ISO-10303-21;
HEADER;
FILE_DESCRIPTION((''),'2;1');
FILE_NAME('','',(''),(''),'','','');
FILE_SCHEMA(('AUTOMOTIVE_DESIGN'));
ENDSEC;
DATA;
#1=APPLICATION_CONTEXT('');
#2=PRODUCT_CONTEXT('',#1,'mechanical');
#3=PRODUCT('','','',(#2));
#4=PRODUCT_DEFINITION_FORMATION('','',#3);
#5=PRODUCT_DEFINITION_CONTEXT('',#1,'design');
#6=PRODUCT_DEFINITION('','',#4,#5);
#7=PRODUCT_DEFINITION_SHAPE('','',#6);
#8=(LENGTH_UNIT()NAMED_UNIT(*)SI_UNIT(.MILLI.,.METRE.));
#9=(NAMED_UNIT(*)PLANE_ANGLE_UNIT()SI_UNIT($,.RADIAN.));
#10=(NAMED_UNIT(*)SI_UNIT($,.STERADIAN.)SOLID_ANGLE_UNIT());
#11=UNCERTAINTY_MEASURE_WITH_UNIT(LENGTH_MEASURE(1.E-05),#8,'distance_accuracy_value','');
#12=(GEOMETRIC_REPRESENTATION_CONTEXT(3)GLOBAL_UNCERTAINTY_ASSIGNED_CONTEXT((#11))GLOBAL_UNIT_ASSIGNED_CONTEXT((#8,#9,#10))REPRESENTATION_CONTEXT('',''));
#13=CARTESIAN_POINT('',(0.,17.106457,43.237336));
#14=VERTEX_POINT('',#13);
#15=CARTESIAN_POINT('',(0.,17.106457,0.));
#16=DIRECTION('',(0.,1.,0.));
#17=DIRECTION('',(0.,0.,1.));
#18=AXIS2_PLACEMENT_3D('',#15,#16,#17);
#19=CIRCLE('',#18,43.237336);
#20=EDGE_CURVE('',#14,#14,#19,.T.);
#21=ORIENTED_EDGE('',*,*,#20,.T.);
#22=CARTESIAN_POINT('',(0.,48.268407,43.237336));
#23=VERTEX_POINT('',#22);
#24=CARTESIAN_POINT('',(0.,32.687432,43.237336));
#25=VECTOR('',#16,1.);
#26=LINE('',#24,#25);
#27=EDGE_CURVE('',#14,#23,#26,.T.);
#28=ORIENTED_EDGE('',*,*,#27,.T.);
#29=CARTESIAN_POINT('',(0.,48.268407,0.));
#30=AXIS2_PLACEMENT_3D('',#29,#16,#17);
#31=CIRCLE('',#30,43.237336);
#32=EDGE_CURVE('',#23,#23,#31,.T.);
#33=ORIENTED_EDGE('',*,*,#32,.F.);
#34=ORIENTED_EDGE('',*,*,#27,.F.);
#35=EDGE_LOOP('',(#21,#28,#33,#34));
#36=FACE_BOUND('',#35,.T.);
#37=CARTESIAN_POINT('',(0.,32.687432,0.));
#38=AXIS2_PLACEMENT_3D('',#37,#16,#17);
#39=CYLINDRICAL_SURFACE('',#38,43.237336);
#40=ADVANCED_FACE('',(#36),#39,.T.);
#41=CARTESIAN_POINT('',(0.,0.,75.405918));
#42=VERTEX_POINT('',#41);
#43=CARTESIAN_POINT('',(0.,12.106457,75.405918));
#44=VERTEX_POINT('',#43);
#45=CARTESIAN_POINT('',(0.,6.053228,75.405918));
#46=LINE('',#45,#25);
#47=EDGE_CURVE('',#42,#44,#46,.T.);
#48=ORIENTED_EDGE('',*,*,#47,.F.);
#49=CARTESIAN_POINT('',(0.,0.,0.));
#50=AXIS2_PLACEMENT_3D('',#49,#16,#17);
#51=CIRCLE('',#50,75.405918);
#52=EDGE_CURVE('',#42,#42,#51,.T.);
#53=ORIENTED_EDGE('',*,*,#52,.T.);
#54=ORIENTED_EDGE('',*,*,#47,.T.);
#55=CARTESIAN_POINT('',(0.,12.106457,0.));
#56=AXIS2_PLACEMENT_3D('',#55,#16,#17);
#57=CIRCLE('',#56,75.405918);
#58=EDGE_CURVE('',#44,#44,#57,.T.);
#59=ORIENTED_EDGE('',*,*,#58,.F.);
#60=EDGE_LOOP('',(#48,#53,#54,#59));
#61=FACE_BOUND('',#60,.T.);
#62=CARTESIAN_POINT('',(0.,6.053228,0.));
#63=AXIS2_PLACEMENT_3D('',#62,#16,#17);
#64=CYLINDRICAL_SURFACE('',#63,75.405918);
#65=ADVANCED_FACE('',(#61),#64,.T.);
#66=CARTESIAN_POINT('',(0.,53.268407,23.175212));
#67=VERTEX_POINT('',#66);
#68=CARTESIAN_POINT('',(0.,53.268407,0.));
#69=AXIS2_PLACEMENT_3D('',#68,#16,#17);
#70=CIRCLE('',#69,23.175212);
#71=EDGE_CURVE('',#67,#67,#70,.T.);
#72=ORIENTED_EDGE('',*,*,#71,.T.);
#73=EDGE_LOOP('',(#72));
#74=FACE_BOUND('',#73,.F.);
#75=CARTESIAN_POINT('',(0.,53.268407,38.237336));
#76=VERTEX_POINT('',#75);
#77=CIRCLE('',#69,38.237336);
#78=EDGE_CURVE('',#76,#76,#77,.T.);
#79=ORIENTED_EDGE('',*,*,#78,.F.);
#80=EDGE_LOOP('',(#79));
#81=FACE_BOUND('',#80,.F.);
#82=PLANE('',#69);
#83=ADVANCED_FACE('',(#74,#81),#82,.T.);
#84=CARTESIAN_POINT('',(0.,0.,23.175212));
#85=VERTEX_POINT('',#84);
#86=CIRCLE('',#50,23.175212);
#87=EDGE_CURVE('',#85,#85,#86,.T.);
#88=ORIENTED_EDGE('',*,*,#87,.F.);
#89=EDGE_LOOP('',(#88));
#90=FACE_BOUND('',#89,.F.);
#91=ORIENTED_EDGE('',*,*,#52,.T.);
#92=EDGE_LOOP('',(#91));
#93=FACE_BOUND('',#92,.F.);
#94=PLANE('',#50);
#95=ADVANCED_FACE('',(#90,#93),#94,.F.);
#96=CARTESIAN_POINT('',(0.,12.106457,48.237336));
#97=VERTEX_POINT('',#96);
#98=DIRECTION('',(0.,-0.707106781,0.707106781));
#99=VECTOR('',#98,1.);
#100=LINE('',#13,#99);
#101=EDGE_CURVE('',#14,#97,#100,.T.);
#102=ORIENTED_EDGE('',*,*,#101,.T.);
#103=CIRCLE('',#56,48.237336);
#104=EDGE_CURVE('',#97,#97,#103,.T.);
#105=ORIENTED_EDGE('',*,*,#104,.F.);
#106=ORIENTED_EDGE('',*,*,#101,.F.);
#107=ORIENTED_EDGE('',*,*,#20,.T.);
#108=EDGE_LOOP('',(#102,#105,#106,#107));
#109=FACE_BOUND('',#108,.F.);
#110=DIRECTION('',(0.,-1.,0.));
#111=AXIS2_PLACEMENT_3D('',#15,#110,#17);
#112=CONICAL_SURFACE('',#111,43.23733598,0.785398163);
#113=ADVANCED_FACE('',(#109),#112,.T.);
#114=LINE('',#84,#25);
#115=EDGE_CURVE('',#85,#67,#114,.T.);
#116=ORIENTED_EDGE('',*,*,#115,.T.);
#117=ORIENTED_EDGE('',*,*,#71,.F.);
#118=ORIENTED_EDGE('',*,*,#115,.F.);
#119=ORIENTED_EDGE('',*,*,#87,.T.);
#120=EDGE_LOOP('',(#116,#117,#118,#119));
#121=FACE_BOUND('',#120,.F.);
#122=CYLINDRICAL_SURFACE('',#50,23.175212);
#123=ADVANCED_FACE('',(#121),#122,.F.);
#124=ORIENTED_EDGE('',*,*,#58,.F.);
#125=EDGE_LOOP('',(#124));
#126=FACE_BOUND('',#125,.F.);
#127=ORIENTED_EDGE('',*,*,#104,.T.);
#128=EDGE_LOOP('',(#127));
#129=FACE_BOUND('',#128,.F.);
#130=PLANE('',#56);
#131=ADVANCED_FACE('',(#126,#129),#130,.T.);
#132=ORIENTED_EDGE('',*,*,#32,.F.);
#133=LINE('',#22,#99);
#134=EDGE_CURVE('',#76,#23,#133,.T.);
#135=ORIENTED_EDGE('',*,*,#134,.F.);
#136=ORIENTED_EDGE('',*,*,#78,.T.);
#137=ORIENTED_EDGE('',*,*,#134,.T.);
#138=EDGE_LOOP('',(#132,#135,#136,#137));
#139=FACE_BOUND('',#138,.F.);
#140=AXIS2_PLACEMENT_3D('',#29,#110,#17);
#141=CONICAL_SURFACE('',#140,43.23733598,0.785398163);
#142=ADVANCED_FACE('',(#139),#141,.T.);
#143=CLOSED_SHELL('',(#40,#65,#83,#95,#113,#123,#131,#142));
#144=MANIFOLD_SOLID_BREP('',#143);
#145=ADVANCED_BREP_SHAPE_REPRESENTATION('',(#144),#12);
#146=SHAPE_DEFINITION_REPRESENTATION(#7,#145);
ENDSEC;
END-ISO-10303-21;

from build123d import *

# Parameters (mm, degrees)
F0_W    = 12.1064567938
F0_H    = 32.1685820818
F0_H_2  = 20.0621243566
F0_W_2  = 41.1619497463
F2_SIZE = 5


with BuildPart() as f1:
    # F0 (on Right) → F1 (revolve)
    with BuildSketch(Plane.YZ):
        with Locations((6.0532283969, 59.3216270208)):
            Rectangle(F0_W, F0_H)
        with Locations((6.0532283969, 33.2062738016)):
            Rectangle(F0_W, F0_H_2)
        with Locations((32.687431667, 33.2062738016)):
            Rectangle(F0_W_2, F0_H_2)
    revolve(axis=Axis((0, 26.6342032701, 0), (0, 1, 0)))

    # F2
    f2_edges = [f1.edges().sort_by_distance(p)[0] for p in [
        (0, 12.106457, -43.237336),
        (0, 53.268407, -43.237336),
    ]]
    chamfer(f2_edges, length=F2_SIZE)


solid = f1.part
